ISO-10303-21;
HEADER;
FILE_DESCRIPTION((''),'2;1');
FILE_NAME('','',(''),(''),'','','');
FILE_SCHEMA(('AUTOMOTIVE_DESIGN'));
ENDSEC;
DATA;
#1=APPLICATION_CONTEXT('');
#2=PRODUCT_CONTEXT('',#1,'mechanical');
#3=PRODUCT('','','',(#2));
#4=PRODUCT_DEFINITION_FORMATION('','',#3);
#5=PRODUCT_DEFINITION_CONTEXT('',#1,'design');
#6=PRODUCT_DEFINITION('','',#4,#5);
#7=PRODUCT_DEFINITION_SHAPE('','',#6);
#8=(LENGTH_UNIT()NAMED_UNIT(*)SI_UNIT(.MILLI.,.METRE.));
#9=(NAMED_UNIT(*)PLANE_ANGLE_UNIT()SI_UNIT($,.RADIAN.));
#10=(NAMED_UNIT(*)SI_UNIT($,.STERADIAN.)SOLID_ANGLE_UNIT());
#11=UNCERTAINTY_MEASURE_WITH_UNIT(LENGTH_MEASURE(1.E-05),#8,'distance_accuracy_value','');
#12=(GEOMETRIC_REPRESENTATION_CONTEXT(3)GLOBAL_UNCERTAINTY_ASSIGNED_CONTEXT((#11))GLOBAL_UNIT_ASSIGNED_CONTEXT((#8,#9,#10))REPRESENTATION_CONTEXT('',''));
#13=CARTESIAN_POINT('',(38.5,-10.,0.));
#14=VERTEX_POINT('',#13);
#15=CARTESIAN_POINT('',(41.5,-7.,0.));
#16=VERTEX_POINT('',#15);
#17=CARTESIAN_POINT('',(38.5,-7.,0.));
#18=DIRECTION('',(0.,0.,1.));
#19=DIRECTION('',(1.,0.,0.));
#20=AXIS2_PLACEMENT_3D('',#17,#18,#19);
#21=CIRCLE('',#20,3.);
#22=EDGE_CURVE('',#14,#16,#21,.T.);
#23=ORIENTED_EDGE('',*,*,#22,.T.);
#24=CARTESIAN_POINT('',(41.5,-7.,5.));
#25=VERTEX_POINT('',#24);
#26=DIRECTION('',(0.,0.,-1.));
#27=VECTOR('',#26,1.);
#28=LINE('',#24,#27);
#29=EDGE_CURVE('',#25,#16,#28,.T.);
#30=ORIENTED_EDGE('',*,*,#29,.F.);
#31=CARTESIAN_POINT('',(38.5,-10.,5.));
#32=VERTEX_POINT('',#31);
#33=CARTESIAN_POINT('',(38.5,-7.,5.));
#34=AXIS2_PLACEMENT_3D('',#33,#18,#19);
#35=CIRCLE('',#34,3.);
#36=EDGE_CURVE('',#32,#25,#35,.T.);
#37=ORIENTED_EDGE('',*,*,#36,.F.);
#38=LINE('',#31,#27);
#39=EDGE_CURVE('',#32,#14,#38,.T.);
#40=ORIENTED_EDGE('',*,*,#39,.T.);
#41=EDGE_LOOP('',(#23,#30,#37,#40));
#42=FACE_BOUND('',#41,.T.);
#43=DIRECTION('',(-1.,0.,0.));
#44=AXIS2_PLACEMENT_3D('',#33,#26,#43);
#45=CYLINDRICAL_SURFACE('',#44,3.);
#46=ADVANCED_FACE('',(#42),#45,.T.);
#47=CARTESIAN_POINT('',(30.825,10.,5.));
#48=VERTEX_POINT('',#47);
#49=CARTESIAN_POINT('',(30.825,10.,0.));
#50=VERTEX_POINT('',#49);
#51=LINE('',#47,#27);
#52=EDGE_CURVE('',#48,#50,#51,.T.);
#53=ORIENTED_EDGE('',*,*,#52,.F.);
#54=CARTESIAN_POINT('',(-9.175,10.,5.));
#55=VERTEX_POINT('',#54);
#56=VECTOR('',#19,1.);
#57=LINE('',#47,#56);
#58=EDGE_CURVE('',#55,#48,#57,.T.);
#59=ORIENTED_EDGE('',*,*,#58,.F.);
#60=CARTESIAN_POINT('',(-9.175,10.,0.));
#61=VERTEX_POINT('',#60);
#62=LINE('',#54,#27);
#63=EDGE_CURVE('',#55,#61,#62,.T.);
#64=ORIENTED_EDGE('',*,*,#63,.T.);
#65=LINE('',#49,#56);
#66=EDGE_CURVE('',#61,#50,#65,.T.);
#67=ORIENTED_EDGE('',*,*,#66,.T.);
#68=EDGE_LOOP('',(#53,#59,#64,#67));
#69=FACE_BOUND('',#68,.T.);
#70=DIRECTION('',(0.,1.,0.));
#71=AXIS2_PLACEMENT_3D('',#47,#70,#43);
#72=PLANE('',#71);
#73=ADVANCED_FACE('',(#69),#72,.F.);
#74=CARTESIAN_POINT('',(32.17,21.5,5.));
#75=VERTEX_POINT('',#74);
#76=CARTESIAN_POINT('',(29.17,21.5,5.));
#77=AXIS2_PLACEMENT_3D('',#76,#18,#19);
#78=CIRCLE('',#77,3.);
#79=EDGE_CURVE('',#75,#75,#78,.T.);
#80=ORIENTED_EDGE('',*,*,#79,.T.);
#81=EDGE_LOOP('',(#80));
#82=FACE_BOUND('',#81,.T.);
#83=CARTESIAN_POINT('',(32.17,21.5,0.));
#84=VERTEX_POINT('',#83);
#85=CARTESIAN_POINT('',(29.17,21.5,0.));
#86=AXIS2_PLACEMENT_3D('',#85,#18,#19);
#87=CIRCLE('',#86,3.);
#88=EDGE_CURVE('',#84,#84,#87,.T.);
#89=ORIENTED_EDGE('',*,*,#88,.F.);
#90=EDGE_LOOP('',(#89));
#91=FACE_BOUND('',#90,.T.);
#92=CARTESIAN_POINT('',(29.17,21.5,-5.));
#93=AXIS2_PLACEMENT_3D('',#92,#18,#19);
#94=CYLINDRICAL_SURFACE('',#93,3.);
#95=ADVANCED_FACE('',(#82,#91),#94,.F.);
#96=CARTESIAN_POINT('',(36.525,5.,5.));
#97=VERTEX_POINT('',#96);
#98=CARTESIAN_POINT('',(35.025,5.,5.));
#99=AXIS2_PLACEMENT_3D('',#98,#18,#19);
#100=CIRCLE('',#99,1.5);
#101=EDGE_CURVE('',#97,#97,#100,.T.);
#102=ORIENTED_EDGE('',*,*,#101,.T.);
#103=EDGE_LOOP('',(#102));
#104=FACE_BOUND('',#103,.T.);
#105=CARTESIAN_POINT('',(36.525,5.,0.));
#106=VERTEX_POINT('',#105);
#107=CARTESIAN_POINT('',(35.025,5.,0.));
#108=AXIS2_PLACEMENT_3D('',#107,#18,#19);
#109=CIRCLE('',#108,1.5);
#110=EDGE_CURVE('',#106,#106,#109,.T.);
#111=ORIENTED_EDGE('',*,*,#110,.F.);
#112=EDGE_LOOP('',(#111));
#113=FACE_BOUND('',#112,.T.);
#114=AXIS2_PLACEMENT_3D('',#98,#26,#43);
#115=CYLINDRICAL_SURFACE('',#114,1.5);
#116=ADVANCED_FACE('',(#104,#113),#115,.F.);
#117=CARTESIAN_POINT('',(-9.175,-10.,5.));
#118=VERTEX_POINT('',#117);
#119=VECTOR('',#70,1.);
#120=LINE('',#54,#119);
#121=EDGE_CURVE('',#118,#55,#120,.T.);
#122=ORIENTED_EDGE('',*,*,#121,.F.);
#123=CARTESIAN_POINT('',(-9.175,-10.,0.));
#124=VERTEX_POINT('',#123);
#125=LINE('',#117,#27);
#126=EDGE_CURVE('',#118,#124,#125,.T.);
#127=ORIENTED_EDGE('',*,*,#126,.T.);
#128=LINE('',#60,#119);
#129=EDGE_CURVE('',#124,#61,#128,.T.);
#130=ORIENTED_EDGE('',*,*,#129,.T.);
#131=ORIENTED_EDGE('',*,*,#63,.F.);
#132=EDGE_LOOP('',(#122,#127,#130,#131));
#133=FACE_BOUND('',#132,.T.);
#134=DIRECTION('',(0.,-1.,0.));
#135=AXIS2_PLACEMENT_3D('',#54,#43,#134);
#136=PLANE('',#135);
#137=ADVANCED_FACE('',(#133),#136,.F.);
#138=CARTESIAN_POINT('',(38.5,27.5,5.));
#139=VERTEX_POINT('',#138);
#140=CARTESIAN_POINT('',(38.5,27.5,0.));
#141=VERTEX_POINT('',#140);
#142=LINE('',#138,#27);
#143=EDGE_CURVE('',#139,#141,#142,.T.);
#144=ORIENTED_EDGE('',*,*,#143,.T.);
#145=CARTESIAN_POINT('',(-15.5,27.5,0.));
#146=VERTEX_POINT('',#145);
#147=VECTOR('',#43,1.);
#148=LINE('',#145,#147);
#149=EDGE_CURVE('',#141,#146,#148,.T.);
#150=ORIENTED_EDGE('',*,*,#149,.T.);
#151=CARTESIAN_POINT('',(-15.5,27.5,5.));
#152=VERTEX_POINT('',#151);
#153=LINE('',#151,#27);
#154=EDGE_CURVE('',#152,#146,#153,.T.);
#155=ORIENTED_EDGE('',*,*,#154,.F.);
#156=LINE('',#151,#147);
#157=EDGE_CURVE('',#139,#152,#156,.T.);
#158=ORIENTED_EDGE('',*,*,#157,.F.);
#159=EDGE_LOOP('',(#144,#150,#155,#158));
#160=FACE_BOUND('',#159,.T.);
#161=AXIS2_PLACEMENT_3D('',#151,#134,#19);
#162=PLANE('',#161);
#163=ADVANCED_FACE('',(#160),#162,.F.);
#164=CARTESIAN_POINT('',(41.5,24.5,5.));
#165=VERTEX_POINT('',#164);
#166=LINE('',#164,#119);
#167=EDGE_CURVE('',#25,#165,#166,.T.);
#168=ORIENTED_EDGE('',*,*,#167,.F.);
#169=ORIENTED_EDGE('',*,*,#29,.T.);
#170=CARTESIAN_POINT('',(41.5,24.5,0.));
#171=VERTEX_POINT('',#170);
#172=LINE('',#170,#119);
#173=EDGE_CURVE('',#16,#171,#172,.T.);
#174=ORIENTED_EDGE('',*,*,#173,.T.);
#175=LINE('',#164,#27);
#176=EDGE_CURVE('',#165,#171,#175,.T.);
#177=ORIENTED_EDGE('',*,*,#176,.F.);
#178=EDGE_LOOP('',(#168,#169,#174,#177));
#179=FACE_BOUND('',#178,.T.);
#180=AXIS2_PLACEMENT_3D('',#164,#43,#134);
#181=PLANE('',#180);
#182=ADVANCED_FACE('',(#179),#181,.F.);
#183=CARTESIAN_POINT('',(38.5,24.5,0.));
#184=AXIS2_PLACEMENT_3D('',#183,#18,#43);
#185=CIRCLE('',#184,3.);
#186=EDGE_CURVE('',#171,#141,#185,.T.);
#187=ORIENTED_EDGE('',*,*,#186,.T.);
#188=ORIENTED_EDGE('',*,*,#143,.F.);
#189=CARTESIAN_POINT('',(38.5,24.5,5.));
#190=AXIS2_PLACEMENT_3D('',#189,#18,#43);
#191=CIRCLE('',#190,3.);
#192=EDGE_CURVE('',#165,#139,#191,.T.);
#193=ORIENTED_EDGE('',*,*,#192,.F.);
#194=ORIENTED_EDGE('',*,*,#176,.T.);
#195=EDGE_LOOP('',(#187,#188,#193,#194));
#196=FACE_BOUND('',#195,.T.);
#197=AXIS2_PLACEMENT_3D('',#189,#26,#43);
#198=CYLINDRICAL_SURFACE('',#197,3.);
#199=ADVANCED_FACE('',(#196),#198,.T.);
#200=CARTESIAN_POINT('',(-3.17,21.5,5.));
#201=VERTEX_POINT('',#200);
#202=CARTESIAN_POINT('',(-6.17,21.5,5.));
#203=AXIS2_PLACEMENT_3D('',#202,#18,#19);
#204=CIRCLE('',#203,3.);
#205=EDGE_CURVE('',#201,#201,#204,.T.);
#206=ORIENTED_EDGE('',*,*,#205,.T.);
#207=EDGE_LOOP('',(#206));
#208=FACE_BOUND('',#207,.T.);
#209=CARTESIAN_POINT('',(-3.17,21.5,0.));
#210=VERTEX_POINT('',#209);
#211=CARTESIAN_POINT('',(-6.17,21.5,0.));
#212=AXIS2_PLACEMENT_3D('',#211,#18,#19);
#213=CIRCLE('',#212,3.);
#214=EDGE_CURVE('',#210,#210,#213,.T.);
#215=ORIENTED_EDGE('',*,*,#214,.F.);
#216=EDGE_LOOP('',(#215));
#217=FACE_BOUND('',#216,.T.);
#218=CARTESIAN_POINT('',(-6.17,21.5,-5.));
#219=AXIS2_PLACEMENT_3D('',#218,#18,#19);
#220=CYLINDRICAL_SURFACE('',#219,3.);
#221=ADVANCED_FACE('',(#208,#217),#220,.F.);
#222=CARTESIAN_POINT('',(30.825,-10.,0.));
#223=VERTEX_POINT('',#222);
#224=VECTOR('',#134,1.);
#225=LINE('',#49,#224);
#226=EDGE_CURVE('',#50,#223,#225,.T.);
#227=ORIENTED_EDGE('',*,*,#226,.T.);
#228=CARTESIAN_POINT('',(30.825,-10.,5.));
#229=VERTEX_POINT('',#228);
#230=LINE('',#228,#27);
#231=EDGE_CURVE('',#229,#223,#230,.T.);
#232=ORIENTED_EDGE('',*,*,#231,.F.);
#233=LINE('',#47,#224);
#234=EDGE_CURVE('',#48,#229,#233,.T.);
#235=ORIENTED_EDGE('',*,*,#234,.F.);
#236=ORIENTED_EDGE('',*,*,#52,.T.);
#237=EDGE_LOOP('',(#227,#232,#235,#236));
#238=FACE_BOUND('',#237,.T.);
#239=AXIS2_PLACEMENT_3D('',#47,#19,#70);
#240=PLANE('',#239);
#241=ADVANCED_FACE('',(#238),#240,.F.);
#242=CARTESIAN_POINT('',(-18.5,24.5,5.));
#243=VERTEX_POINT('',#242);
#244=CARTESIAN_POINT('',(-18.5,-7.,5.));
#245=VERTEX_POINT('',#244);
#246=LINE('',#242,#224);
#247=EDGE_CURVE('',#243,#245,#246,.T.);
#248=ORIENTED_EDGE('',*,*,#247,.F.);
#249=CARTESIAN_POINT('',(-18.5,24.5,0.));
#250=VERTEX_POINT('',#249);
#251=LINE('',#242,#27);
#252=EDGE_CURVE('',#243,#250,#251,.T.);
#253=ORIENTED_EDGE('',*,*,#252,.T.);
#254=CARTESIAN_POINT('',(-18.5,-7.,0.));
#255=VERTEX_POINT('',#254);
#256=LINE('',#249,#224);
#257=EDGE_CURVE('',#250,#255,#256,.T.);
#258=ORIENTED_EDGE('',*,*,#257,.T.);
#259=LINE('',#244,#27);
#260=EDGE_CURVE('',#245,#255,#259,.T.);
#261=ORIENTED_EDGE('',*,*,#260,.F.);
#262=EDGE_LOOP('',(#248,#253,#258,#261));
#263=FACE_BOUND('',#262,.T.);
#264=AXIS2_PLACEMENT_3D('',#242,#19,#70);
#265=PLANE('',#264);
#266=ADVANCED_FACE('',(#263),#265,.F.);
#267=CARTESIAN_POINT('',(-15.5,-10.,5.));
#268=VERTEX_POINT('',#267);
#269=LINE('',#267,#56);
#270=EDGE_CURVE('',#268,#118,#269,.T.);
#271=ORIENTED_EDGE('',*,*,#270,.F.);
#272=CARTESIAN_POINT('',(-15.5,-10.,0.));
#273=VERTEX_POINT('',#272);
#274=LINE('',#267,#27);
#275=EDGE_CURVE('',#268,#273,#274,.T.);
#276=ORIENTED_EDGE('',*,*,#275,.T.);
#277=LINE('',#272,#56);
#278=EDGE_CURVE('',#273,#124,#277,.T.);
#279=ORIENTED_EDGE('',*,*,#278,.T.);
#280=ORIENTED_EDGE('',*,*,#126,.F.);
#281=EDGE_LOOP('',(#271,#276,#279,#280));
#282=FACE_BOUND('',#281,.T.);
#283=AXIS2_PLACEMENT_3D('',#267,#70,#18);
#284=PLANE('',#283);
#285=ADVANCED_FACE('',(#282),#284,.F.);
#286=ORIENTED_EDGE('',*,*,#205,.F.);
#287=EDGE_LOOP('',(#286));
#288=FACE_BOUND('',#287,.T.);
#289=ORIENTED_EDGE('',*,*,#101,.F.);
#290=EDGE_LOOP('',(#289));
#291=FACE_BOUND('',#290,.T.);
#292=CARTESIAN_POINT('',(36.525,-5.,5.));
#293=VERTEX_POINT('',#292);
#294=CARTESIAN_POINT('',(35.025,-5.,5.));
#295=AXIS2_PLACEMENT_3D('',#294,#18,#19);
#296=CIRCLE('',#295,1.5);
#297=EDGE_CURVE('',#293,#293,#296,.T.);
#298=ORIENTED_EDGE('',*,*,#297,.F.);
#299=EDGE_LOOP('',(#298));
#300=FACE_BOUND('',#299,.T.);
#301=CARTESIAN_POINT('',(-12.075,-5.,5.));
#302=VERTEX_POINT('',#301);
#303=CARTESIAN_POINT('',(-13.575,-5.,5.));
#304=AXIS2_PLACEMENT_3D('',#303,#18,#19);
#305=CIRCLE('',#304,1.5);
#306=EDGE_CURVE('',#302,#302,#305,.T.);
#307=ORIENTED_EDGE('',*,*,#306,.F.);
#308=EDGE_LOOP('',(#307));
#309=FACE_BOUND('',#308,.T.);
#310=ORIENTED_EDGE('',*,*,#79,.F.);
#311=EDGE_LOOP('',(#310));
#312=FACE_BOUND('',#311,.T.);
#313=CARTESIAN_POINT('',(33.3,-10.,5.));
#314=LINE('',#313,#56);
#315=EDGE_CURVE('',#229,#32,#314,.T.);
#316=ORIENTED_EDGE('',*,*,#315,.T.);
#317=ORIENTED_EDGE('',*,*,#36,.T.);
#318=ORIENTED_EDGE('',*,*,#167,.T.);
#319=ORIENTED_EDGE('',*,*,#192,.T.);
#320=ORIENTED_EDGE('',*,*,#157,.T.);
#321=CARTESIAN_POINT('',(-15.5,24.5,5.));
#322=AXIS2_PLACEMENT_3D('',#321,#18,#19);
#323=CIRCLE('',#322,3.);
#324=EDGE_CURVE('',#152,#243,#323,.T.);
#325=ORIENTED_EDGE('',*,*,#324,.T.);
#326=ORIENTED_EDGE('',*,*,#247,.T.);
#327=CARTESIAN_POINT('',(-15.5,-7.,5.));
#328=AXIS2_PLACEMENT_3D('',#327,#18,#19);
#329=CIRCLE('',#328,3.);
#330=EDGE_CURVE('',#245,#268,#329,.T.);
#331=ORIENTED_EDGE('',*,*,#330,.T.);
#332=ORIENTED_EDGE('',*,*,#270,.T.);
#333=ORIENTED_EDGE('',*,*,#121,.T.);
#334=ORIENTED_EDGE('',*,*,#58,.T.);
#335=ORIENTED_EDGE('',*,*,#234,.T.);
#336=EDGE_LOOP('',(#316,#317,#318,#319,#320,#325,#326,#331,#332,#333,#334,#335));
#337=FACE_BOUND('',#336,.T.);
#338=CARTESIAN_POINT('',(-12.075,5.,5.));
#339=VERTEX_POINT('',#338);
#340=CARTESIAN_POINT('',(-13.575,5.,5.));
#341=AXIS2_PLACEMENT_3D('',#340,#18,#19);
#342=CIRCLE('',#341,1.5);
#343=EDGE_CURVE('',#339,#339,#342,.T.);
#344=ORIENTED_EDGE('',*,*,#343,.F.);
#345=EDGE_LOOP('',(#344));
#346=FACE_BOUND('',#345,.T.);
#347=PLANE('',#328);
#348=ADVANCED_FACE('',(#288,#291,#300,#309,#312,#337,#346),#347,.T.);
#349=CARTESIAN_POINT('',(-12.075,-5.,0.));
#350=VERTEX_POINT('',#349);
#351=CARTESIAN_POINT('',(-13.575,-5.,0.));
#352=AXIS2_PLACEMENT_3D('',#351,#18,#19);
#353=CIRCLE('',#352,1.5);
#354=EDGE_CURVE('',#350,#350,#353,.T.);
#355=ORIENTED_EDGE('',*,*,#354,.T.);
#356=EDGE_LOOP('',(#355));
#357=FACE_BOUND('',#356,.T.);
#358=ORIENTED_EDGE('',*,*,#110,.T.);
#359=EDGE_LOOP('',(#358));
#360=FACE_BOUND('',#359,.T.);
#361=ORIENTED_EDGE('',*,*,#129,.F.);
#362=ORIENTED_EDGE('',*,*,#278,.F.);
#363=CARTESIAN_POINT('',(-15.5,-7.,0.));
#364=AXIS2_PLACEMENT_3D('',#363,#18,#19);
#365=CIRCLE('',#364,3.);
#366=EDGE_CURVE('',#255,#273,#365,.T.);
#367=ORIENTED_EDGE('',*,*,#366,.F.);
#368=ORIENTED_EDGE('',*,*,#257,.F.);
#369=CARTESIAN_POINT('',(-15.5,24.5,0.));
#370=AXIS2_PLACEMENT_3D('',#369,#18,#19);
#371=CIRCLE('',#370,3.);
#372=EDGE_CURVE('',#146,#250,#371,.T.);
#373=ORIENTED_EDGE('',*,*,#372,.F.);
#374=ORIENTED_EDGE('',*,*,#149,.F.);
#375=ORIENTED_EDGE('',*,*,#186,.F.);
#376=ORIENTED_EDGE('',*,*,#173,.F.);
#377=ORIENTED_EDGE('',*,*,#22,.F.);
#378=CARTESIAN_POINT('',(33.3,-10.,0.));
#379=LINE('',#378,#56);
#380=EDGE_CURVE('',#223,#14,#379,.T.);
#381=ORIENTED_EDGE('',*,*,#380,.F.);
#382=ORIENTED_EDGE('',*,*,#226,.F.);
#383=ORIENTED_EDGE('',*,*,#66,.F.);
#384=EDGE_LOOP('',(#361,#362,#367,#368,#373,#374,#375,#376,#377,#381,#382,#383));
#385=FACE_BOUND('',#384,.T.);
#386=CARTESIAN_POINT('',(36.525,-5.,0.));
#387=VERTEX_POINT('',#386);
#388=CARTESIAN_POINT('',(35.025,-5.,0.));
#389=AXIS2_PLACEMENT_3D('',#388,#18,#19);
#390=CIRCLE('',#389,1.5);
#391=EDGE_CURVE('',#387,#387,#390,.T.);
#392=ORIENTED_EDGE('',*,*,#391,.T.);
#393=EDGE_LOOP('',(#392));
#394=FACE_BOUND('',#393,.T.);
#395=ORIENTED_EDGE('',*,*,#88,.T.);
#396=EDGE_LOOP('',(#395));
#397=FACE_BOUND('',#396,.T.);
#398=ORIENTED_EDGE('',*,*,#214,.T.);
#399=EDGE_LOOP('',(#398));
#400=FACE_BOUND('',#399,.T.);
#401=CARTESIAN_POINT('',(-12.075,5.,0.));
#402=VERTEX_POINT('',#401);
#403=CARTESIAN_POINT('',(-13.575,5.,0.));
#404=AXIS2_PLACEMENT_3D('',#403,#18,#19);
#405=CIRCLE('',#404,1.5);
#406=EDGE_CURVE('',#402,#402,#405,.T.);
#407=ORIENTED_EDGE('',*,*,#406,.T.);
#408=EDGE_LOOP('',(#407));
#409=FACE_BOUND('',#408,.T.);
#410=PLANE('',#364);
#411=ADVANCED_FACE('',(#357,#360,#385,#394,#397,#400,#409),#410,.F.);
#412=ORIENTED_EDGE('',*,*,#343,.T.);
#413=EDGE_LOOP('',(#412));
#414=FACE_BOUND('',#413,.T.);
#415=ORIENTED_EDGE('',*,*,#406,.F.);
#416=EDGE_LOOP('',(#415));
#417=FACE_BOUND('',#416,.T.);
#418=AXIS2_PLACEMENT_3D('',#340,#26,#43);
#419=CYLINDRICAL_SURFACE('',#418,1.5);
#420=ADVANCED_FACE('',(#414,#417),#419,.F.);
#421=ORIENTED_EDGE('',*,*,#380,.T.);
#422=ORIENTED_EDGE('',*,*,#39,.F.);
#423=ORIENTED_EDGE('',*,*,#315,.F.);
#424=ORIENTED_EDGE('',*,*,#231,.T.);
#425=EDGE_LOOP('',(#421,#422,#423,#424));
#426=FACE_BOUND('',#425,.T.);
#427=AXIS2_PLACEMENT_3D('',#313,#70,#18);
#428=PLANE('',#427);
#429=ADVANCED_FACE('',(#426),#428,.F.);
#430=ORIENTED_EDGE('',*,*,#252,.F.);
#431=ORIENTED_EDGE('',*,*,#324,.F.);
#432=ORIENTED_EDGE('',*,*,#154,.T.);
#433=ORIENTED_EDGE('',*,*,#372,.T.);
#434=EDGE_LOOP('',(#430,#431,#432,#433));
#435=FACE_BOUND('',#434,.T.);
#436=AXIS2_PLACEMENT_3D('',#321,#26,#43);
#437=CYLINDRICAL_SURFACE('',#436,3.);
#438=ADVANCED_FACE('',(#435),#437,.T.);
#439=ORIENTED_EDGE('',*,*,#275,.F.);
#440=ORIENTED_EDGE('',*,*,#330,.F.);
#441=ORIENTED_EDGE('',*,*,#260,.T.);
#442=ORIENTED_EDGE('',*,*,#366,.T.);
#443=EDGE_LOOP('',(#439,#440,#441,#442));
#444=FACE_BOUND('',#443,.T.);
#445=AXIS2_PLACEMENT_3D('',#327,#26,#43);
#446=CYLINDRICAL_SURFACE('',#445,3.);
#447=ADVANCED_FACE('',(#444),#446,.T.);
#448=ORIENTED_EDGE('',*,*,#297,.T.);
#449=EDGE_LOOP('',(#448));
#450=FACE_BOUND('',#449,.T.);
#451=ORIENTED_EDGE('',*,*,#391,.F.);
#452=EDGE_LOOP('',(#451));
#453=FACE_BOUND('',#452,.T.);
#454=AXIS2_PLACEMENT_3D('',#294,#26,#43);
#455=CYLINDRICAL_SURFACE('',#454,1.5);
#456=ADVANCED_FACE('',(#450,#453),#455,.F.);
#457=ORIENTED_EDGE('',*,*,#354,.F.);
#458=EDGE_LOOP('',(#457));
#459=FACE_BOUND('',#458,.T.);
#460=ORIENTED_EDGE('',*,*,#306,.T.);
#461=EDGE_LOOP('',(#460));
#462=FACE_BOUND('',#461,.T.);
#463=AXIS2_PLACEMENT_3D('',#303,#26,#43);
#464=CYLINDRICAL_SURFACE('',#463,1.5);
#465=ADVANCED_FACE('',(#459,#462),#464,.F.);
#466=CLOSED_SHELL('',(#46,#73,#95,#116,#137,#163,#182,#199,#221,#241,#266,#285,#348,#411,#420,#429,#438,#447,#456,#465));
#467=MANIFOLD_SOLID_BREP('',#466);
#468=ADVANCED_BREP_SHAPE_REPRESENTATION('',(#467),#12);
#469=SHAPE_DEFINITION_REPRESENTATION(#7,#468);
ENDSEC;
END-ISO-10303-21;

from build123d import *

# Parameters (mm, degrees)
SKETCH_1_R          = 1.5
EXTRUDE_1_DEPTH     = 5
SKETCH_2_R          = 3
CUT_EXTRUDE_1_DEPTH = 10


with BuildPart() as part:
    # 草图1 → 凸台-拉伸1 (new body)
    with BuildSketch(Plane.XY):
        with BuildLine():
            Line((-15.5, 27.5), (38.5, 27.5))
            ThreePointArc((38.5, 27.5), (40.621320344, 26.621320344), (41.5, 24.5))
            Line((41.5, 24.5), (41.5, -7))
            ThreePointArc((41.5, -7), (40.621320344, -9.121320344), (38.5, -10))
            Line((38.5, -10), (33.3, -10))
            Line((33.3, -10), (30.825, -10))
            Line((30.825, -10), (30.825, 10))
            Line((30.825, 10), (-9.175, 10))
            Line((-9.175, 10), (-9.175, -10))
            Line((-9.175, -10), (-15.5, -10))
            ThreePointArc((-15.5, -10), (-17.621320344, -9.121320344), (-18.5, -7))
            Line((-18.5, -7), (-18.5, 24.5))
            ThreePointArc((-18.5, 24.5), (-17.621320344, 26.621320344), (-15.5, 27.5))
        make_face()
        with Locations((-13.575, 5)):
            Circle(SKETCH_1_R, mode=Mode.SUBTRACT)
        with Locations((-13.575, -5)):
            Circle(SKETCH_1_R, mode=Mode.SUBTRACT)
        with Locations((35.025, 5)):
            Circle(SKETCH_1_R, mode=Mode.SUBTRACT)
        with Locations((35.025, -5)):
            Circle(SKETCH_1_R, mode=Mode.SUBTRACT)
    extrude(amount=EXTRUDE_1_DEPTH)

    # 草图2 → 切除-拉伸1 (cut)
    with BuildSketch(Plane.XY.offset(5)):
        with Locations((-6.17, 21.5)):
            Circle(SKETCH_2_R)
        with Locations((29.17, 21.5)):
            Circle(SKETCH_2_R)
    extrude(amount=-CUT_EXTRUDE_1_DEPTH, mode=Mode.SUBTRACT)


solid = part.part
